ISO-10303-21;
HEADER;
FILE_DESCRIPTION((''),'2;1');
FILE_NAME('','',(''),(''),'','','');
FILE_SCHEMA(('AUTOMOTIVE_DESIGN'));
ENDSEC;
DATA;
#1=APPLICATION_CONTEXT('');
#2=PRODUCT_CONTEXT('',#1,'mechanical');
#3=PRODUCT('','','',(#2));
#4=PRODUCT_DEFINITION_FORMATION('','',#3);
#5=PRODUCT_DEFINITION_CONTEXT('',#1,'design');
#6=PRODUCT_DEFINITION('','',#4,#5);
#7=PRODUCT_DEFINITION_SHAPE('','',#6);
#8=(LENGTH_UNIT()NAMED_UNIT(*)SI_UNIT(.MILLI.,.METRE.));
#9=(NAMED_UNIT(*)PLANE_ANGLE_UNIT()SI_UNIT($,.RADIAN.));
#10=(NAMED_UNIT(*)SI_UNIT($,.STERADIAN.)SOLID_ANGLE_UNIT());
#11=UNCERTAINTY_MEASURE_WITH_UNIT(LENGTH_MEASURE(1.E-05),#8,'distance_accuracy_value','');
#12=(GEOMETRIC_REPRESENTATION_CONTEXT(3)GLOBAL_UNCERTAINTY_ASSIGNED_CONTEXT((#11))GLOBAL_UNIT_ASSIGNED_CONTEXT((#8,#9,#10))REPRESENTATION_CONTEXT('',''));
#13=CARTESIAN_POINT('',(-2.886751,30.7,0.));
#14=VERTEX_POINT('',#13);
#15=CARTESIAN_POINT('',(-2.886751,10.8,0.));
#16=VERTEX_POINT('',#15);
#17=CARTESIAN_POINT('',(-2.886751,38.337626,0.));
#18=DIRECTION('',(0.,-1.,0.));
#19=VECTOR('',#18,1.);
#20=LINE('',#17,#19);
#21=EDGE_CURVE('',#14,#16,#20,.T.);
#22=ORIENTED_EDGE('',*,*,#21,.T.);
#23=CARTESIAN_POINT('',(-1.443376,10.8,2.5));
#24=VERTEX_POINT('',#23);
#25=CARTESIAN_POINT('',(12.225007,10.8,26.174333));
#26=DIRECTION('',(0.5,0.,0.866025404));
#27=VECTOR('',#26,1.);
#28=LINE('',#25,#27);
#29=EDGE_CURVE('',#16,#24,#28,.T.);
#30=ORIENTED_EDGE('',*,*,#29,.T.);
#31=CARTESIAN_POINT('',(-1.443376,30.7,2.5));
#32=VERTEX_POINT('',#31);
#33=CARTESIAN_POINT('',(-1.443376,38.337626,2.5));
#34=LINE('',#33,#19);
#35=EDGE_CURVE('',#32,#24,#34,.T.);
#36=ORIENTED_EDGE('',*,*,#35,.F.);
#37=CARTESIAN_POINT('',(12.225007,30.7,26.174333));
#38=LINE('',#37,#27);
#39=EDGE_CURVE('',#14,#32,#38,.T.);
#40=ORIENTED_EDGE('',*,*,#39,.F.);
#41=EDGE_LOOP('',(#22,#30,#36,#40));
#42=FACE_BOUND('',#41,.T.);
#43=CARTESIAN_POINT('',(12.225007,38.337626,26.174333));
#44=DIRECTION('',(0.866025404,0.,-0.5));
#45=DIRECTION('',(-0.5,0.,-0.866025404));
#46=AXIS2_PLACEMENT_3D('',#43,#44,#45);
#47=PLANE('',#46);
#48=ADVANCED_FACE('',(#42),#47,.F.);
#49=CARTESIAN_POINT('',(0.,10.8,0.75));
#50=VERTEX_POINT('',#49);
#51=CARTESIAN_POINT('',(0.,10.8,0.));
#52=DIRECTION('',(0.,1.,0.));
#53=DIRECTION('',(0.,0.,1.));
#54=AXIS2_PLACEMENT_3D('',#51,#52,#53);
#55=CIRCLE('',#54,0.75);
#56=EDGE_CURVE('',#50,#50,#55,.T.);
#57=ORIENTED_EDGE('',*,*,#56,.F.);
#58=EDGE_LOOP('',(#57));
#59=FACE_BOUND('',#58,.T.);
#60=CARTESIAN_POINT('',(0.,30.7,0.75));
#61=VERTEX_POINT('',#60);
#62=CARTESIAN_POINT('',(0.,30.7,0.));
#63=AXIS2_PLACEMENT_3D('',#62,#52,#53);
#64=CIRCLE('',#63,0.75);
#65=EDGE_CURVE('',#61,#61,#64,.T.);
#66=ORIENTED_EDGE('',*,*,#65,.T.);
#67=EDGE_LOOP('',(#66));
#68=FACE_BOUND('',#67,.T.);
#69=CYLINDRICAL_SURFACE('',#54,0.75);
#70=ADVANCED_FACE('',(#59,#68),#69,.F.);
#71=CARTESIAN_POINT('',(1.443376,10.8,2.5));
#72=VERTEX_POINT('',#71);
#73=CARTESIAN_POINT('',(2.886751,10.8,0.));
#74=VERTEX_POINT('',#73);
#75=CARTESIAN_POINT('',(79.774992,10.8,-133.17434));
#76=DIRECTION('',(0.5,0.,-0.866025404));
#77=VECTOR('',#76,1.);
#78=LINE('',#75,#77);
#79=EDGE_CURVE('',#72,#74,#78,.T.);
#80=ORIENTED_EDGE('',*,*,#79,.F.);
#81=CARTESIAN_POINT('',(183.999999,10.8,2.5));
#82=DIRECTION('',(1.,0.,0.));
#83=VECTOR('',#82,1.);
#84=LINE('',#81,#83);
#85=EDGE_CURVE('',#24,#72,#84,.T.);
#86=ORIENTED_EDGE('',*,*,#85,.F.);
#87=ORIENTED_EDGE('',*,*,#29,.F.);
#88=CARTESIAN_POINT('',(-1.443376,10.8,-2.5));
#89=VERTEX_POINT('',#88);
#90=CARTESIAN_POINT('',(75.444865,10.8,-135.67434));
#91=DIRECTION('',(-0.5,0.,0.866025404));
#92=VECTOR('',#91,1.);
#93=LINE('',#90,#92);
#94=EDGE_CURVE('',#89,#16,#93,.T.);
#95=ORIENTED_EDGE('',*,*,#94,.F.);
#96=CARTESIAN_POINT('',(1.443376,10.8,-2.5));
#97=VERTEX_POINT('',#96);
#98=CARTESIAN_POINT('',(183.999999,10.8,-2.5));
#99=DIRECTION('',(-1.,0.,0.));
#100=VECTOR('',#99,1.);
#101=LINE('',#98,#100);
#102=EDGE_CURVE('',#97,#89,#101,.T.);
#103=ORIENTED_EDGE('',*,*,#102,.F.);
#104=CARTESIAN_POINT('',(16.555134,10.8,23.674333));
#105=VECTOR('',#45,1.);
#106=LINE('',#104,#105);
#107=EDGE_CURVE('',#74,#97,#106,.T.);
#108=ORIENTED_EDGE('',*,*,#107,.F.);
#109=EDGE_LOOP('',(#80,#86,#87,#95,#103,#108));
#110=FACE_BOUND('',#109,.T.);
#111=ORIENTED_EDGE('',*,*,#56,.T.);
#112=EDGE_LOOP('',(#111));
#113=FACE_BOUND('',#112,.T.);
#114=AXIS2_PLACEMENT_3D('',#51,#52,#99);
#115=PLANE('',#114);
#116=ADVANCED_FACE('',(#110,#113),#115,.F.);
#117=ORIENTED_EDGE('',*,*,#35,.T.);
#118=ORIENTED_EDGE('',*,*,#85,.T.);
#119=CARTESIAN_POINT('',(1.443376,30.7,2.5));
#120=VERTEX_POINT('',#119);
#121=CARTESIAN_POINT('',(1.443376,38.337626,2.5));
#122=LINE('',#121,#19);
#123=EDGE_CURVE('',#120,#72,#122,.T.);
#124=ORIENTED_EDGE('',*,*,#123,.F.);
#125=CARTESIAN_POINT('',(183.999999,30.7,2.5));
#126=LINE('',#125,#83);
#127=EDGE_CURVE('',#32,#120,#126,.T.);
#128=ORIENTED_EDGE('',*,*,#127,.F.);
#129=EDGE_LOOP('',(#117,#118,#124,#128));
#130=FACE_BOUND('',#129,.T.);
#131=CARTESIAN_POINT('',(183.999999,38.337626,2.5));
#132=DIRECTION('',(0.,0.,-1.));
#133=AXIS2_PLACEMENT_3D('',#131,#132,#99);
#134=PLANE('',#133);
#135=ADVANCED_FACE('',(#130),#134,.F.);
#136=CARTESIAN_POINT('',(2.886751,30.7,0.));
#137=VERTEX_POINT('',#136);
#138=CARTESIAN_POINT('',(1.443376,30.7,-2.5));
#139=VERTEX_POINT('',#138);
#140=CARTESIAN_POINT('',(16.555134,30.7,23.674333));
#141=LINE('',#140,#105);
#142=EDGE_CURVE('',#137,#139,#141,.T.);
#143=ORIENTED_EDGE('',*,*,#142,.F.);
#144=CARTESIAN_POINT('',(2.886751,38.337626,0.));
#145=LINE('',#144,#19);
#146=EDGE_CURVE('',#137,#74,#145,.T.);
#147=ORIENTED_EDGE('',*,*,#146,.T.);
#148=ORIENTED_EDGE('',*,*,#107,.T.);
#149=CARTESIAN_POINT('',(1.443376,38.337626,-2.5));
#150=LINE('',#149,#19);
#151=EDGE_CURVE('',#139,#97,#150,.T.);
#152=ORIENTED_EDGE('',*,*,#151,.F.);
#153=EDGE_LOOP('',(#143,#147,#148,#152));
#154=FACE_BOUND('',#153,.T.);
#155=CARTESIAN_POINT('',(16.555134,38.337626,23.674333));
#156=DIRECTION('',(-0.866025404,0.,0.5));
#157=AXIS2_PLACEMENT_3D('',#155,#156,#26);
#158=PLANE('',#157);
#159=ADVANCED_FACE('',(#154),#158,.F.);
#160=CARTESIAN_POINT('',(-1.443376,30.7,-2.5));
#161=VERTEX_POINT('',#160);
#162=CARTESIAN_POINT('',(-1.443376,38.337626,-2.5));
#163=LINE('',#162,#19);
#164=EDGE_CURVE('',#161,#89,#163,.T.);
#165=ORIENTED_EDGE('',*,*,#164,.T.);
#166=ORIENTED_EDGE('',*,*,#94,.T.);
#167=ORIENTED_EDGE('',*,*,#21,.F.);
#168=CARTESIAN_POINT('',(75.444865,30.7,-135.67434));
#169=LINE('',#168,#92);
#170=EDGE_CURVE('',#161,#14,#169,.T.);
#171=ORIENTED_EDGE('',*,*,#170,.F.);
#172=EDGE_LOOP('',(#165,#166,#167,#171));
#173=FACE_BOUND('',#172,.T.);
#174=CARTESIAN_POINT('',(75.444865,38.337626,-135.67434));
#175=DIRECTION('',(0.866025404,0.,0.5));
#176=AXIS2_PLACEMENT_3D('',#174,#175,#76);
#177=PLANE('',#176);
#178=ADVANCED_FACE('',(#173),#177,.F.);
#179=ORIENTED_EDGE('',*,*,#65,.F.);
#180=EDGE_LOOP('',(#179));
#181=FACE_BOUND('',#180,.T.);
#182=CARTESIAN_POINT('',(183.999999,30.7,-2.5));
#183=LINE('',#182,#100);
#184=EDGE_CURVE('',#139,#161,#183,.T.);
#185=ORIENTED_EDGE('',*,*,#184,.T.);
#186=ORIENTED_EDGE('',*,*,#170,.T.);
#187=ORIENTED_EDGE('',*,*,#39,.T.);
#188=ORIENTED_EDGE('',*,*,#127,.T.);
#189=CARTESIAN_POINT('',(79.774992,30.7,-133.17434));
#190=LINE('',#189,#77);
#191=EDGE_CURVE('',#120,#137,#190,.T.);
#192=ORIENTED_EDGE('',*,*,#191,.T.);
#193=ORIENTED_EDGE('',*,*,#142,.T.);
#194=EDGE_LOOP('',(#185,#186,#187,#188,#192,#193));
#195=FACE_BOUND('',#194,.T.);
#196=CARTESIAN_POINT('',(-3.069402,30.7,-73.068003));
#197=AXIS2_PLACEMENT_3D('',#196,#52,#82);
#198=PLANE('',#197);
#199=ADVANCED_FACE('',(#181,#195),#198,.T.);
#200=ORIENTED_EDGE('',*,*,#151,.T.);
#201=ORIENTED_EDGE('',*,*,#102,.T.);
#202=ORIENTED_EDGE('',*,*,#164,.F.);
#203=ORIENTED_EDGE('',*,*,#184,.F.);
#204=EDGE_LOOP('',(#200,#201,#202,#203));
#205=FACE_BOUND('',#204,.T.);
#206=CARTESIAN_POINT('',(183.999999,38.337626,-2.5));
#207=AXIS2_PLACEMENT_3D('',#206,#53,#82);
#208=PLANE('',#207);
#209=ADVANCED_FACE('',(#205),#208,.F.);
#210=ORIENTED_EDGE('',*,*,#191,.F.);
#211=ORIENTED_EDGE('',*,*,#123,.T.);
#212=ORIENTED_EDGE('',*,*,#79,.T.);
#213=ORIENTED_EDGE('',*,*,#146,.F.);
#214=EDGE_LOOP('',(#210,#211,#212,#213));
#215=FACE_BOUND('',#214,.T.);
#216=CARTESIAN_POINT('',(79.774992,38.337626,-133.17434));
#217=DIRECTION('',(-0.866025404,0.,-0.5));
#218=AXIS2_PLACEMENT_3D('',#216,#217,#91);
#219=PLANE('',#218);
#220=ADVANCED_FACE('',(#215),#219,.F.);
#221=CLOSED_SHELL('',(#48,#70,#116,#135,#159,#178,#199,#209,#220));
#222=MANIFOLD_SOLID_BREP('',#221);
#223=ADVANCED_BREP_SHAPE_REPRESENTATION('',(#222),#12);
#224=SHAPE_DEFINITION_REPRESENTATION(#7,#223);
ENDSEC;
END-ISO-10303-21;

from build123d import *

# Parameters (mm, degrees)
EXTRUDE_START       = 10.8
EXTRUDE_1_DEPTH     = 19.9
SKETCH_2_R          = 0.75
CUT_EXTRUDE_1_DEPTH = 20.9


with BuildPart() as part:
    # Эскиз1 → Бобышка-Вытянуть1 (new body)
    with BuildSketch(Plane(origin=(0, 0, 0), x_dir=(1, 0, 0), z_dir=(0, 1, 0)).offset(EXTRUDE_START)):
        Polygon((2.886751346, 0), (1.443375673, 2.5), (-1.443375673, 2.5), (-2.886751346, 0), (-1.443375673, -2.5), (1.443375673, -2.5), align=None)
    extrude(amount=EXTRUDE_1_DEPTH)

    # Эскиз2 → Вырез-Вытянуть1 (cut, through all)
    with BuildSketch(Plane(origin=(0, 30.7, 0), x_dir=(1, 0, 0), z_dir=(0, 1, 0))):
        Circle(SKETCH_2_R)
    extrude(amount=-CUT_EXTRUDE_1_DEPTH, mode=Mode.SUBTRACT)


solid = part.part
